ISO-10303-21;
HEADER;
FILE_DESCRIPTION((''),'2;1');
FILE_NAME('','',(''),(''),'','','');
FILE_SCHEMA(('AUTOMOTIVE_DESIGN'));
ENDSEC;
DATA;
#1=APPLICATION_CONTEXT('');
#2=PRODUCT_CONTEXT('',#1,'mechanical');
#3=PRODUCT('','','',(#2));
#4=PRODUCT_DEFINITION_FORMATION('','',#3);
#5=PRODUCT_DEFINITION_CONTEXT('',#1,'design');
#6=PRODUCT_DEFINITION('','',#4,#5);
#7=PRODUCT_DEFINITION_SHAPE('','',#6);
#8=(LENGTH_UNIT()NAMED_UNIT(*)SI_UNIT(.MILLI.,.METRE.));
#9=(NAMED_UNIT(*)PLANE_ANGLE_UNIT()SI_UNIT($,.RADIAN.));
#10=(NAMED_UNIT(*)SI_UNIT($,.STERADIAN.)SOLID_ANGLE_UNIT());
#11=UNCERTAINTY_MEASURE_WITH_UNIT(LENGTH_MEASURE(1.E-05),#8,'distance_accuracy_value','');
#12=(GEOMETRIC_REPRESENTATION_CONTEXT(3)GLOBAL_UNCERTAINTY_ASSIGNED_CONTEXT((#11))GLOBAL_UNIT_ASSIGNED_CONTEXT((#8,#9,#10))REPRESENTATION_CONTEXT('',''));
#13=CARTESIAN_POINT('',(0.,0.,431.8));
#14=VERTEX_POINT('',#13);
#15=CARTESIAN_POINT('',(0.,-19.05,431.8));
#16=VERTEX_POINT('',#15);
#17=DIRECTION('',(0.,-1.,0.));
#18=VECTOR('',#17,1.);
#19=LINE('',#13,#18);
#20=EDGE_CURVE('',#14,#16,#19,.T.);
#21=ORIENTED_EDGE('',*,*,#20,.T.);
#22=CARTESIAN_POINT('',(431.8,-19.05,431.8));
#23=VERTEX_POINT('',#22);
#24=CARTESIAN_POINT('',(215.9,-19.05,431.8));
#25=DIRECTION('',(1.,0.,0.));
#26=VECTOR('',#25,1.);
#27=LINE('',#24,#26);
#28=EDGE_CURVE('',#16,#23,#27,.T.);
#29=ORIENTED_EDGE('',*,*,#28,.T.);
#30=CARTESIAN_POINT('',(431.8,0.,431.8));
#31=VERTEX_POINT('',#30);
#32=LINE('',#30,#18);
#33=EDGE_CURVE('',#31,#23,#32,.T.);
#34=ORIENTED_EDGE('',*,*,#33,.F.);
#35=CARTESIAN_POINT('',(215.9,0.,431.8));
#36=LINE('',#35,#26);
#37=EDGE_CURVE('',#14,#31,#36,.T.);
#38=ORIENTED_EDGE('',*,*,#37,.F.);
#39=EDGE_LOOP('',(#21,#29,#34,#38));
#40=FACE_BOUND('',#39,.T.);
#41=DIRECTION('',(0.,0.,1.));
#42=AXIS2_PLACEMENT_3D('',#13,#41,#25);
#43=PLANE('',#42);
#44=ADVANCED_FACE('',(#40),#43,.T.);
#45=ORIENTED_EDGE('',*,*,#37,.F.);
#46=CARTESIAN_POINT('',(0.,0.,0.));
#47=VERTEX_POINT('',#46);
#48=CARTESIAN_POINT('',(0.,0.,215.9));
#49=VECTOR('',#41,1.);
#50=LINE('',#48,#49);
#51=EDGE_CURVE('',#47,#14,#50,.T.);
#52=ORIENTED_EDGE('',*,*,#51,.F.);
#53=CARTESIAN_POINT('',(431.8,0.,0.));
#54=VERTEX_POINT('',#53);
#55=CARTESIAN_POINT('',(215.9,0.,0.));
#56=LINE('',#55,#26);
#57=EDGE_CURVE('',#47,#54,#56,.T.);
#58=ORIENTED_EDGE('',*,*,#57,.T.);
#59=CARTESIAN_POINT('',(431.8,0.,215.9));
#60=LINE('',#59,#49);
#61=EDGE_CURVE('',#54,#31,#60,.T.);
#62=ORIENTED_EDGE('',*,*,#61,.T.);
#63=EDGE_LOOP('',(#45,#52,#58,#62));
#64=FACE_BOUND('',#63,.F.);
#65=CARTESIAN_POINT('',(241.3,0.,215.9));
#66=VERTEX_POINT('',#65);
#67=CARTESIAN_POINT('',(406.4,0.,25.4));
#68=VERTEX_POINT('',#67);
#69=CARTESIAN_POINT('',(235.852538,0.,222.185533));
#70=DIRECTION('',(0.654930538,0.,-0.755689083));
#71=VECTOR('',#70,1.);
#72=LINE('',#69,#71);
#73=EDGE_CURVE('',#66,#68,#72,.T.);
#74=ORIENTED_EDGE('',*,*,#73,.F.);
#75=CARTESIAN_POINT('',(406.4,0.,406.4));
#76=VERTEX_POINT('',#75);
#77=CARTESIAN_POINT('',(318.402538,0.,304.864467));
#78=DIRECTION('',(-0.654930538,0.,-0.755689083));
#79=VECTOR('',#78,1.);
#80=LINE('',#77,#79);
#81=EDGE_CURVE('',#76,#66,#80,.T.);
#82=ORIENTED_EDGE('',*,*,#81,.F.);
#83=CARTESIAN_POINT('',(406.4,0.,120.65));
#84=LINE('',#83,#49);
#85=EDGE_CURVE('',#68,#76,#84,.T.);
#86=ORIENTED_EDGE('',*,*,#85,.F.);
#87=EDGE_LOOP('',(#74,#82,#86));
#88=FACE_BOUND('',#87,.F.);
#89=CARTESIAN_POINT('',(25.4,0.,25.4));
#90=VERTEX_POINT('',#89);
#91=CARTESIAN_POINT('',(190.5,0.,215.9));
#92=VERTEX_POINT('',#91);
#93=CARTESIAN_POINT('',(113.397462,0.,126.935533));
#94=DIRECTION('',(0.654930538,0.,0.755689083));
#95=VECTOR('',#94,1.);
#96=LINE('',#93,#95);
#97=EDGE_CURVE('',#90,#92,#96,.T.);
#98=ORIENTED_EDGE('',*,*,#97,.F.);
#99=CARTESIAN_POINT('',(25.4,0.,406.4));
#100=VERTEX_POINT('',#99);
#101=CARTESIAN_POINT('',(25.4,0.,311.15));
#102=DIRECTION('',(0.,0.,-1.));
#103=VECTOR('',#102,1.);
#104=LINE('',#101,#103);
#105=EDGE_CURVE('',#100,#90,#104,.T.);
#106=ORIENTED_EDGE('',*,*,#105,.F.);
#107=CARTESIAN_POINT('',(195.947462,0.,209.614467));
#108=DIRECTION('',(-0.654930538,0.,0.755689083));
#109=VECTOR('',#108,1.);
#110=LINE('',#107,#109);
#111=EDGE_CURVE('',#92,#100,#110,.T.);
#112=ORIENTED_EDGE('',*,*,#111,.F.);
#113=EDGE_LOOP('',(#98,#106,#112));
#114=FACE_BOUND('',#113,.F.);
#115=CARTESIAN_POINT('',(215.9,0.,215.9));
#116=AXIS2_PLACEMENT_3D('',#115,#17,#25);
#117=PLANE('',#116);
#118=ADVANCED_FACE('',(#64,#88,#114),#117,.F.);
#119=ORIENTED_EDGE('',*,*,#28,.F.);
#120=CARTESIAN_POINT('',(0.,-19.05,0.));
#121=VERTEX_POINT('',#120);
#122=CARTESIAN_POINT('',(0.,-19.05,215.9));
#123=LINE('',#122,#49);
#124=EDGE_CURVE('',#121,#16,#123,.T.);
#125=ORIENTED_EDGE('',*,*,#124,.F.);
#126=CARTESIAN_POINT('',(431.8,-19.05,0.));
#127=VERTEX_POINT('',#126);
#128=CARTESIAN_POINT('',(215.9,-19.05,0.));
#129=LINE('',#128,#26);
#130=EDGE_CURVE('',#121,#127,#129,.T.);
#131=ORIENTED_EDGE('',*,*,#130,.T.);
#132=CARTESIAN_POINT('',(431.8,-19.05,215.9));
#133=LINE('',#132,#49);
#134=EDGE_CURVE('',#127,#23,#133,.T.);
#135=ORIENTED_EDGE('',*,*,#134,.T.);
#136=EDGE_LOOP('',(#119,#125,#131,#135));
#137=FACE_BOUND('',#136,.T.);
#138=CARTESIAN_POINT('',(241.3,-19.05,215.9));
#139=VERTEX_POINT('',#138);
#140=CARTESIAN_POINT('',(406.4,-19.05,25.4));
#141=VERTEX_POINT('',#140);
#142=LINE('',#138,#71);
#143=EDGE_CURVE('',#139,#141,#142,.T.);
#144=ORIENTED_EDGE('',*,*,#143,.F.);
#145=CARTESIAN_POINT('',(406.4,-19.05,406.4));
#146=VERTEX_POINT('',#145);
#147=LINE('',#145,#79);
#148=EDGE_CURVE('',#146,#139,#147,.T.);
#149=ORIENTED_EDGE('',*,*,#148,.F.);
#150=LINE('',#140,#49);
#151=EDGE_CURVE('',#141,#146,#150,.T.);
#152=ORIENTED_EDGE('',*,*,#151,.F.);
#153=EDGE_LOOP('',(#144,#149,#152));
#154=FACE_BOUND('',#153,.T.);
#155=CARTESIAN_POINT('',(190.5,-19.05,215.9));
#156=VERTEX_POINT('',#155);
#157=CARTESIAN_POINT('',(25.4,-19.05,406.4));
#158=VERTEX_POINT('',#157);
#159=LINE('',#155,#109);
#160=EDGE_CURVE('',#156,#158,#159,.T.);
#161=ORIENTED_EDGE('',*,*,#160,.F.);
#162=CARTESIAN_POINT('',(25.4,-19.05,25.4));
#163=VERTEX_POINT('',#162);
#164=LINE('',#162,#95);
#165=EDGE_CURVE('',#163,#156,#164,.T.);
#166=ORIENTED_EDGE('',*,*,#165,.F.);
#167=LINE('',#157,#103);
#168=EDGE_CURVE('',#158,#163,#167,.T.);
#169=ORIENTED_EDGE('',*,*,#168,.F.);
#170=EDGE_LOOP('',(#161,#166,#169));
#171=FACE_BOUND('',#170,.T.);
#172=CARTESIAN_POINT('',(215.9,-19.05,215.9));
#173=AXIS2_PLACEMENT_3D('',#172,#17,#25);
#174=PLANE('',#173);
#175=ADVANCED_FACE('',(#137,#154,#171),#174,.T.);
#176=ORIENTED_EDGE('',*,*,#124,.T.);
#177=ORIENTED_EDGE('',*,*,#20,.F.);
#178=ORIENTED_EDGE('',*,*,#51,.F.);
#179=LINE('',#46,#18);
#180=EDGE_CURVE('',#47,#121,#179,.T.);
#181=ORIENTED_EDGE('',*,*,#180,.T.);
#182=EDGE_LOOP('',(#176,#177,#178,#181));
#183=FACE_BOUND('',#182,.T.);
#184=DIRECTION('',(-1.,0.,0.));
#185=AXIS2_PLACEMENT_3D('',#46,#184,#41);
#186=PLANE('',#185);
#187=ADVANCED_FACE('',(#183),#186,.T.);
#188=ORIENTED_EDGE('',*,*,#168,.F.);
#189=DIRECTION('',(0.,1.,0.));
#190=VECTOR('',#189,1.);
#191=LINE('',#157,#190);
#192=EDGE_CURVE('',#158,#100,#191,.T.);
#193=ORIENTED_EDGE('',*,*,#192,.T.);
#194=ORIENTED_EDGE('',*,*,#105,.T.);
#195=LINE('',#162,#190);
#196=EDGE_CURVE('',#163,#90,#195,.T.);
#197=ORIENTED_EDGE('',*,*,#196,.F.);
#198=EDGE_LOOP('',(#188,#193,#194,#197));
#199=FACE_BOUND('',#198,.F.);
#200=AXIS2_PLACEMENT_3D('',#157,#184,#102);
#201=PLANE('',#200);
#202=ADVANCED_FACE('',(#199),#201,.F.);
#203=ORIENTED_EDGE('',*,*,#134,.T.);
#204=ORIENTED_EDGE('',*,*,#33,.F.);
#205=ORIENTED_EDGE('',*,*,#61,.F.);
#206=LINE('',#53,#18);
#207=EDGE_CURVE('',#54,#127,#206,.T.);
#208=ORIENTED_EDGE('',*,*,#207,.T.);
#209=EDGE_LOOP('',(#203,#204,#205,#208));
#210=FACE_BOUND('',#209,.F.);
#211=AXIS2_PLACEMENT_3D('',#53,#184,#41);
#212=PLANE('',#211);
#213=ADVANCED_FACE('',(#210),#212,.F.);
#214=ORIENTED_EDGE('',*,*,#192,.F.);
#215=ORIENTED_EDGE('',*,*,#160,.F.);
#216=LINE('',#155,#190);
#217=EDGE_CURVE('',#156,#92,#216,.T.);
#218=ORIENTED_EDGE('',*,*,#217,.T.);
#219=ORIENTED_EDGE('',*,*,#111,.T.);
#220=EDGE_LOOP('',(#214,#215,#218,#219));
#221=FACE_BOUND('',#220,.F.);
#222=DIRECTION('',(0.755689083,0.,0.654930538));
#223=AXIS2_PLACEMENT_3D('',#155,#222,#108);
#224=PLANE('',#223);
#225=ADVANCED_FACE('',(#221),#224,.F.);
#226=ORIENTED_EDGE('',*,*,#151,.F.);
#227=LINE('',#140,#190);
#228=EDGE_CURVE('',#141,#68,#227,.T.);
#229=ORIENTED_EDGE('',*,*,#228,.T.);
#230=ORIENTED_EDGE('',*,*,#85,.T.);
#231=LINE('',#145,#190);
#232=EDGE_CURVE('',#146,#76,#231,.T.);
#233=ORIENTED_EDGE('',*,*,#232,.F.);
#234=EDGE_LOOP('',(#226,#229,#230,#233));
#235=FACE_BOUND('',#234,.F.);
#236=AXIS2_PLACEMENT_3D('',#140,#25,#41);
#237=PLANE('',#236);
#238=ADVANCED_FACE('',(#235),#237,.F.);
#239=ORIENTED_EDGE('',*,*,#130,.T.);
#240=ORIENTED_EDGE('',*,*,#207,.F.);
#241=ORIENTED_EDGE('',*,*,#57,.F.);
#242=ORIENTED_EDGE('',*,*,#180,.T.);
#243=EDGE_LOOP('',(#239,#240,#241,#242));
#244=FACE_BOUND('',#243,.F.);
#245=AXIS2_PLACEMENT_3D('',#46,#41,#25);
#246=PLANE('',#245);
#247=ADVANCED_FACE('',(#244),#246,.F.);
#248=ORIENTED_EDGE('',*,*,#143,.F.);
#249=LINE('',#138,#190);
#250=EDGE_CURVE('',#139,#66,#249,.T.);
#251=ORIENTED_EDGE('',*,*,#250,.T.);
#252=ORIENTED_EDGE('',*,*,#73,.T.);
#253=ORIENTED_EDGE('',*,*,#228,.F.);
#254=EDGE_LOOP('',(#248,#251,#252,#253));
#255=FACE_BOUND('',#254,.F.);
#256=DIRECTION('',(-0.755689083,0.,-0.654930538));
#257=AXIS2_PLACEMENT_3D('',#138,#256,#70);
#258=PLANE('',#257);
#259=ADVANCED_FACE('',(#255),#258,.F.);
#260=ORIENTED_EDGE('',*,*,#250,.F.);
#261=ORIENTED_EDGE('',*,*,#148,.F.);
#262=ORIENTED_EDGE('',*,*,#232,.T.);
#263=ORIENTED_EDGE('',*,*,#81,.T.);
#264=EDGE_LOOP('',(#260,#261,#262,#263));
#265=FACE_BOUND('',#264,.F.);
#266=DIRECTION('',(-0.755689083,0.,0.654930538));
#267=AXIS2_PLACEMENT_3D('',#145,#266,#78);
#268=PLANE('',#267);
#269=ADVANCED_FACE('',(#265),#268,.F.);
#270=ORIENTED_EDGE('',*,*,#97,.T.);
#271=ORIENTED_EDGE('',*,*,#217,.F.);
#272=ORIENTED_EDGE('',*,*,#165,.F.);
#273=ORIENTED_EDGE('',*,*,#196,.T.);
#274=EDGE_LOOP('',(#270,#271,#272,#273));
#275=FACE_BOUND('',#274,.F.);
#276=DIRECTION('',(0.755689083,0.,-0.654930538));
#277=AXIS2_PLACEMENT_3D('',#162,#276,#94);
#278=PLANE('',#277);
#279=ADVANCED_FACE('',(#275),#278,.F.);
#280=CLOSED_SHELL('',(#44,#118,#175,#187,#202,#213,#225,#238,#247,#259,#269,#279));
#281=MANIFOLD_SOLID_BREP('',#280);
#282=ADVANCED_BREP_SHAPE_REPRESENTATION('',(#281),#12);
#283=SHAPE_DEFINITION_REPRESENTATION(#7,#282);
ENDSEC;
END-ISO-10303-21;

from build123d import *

# Parameters (mm, degrees)
F0_W     = 431.8
F0_H     = 431.8
F1_DEPTH = 19.05
F3_DEPTH = 19.051


with BuildPart() as f1:
    # F0 (on Front) → F1 (new body)
    with BuildSketch(Plane.XZ):
        with Locations((215.9, 215.9)):
            Rectangle(F0_W, F0_H)
    extrude(amount=F1_DEPTH)

    # F2 (on face) → F3 (cut, through all)
    with BuildSketch(Plane.XZ.offset(19.05)):
        Polygon((190.5, 215.9), (25.4, 406.4), (25.4, 25.4), align=None)
        Polygon((406.4, 406.4), (241.3, 215.9), (406.4, 25.4), align=None)
    extrude(amount=-F3_DEPTH, mode=Mode.SUBTRACT)


solid = f1.part
